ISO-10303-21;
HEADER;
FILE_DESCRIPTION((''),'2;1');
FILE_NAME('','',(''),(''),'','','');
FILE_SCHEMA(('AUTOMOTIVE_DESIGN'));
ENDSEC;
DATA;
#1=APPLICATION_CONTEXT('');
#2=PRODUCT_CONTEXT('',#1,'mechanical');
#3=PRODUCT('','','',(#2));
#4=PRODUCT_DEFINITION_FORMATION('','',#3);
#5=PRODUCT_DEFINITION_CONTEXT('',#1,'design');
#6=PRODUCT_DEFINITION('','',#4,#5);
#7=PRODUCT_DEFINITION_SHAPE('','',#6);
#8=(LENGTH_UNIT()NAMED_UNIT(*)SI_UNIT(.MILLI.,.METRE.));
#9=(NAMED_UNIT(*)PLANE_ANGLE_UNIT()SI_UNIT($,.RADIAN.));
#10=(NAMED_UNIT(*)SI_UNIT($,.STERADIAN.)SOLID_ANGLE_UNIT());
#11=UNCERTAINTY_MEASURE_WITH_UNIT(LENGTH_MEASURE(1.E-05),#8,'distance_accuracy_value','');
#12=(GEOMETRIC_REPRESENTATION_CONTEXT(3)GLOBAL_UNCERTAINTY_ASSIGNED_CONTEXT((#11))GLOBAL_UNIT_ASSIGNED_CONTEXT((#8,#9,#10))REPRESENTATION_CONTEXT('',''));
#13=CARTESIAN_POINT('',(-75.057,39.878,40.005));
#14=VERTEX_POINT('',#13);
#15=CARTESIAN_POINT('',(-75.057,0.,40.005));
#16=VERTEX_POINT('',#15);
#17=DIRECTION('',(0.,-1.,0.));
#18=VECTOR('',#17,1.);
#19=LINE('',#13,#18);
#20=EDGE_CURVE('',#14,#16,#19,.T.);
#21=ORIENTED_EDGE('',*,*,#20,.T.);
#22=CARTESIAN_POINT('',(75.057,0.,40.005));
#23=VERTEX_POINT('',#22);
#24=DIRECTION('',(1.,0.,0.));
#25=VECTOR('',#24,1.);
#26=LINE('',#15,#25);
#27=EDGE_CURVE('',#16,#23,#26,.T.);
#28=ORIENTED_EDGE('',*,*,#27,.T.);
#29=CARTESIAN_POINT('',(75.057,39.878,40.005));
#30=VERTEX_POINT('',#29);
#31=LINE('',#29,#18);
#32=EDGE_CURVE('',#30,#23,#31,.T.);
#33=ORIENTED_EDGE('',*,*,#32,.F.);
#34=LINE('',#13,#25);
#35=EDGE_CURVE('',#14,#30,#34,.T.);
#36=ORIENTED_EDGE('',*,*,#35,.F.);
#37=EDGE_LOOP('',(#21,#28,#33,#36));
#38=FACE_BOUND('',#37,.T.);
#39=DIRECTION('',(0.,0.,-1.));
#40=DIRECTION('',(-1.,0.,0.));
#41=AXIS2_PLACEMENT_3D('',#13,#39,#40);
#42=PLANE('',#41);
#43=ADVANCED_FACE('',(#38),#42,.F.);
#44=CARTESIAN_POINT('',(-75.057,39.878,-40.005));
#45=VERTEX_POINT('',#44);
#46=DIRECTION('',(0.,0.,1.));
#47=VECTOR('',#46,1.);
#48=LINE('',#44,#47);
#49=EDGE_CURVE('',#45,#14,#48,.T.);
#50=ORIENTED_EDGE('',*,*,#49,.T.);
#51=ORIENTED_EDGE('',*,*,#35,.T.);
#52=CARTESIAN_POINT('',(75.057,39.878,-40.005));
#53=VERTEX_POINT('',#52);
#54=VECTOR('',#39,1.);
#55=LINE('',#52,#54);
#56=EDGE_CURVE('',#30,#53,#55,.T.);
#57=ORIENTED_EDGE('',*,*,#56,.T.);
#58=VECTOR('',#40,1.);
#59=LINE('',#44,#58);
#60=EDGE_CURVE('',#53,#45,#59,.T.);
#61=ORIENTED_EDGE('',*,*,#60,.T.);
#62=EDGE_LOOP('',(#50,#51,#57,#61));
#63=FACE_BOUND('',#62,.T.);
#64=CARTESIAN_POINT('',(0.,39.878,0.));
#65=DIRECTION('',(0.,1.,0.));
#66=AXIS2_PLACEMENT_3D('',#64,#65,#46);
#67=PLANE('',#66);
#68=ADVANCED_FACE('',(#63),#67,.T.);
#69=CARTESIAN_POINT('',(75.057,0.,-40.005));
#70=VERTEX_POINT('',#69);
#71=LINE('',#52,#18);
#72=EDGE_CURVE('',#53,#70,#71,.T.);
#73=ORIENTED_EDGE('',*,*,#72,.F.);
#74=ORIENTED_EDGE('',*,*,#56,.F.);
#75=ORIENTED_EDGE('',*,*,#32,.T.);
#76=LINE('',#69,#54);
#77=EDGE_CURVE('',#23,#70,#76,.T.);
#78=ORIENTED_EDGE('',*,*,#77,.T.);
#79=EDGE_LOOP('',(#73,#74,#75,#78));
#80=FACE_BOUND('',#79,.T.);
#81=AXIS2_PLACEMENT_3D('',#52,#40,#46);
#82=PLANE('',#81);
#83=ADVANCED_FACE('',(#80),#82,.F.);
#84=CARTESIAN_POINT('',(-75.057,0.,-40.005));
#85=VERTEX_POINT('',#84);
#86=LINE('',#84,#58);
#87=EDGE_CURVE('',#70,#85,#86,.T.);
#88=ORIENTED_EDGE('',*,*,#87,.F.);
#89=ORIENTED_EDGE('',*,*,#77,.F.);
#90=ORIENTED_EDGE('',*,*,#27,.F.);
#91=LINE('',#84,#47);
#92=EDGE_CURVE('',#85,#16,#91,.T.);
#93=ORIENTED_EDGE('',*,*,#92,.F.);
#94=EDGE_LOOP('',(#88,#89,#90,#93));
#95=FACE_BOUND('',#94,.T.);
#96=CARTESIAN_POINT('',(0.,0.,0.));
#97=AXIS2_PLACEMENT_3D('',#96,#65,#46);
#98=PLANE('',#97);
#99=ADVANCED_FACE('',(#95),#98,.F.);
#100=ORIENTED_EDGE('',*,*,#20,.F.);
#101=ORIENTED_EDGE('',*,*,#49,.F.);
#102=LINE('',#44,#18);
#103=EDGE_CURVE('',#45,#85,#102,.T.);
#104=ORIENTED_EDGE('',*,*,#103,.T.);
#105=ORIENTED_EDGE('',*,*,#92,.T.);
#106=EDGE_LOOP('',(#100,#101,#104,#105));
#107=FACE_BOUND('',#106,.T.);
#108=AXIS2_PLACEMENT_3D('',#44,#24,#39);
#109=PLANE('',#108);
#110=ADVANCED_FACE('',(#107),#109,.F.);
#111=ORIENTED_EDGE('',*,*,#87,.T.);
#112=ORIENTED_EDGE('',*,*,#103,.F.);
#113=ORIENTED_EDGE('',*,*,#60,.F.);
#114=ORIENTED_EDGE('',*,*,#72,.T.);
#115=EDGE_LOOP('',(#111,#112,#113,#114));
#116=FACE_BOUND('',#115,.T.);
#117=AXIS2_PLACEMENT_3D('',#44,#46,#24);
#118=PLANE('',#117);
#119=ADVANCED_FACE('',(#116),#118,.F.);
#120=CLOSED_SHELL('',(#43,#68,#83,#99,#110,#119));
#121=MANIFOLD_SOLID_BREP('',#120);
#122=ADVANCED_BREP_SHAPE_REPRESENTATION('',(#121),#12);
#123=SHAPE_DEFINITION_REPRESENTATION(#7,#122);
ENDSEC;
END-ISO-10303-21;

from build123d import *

# Parameters (mm, degrees)
CROQUIS1_W              = 150.114
CROQUIS1_H              = 80.01
SALIENTE_EXTRUIR1_DEPTH = 39.878


with BuildPart() as part:
    # Croquis1 → Saliente-Extruir1 (new body)
    with BuildSketch(Plane(origin=(0, 0, 0), x_dir=(1, 0, 0), z_dir=(0, 1, 0))):
        Rectangle(CROQUIS1_W, CROQUIS1_H)
    extrude(amount=SALIENTE_EXTRUIR1_DEPTH)


solid = part.part
